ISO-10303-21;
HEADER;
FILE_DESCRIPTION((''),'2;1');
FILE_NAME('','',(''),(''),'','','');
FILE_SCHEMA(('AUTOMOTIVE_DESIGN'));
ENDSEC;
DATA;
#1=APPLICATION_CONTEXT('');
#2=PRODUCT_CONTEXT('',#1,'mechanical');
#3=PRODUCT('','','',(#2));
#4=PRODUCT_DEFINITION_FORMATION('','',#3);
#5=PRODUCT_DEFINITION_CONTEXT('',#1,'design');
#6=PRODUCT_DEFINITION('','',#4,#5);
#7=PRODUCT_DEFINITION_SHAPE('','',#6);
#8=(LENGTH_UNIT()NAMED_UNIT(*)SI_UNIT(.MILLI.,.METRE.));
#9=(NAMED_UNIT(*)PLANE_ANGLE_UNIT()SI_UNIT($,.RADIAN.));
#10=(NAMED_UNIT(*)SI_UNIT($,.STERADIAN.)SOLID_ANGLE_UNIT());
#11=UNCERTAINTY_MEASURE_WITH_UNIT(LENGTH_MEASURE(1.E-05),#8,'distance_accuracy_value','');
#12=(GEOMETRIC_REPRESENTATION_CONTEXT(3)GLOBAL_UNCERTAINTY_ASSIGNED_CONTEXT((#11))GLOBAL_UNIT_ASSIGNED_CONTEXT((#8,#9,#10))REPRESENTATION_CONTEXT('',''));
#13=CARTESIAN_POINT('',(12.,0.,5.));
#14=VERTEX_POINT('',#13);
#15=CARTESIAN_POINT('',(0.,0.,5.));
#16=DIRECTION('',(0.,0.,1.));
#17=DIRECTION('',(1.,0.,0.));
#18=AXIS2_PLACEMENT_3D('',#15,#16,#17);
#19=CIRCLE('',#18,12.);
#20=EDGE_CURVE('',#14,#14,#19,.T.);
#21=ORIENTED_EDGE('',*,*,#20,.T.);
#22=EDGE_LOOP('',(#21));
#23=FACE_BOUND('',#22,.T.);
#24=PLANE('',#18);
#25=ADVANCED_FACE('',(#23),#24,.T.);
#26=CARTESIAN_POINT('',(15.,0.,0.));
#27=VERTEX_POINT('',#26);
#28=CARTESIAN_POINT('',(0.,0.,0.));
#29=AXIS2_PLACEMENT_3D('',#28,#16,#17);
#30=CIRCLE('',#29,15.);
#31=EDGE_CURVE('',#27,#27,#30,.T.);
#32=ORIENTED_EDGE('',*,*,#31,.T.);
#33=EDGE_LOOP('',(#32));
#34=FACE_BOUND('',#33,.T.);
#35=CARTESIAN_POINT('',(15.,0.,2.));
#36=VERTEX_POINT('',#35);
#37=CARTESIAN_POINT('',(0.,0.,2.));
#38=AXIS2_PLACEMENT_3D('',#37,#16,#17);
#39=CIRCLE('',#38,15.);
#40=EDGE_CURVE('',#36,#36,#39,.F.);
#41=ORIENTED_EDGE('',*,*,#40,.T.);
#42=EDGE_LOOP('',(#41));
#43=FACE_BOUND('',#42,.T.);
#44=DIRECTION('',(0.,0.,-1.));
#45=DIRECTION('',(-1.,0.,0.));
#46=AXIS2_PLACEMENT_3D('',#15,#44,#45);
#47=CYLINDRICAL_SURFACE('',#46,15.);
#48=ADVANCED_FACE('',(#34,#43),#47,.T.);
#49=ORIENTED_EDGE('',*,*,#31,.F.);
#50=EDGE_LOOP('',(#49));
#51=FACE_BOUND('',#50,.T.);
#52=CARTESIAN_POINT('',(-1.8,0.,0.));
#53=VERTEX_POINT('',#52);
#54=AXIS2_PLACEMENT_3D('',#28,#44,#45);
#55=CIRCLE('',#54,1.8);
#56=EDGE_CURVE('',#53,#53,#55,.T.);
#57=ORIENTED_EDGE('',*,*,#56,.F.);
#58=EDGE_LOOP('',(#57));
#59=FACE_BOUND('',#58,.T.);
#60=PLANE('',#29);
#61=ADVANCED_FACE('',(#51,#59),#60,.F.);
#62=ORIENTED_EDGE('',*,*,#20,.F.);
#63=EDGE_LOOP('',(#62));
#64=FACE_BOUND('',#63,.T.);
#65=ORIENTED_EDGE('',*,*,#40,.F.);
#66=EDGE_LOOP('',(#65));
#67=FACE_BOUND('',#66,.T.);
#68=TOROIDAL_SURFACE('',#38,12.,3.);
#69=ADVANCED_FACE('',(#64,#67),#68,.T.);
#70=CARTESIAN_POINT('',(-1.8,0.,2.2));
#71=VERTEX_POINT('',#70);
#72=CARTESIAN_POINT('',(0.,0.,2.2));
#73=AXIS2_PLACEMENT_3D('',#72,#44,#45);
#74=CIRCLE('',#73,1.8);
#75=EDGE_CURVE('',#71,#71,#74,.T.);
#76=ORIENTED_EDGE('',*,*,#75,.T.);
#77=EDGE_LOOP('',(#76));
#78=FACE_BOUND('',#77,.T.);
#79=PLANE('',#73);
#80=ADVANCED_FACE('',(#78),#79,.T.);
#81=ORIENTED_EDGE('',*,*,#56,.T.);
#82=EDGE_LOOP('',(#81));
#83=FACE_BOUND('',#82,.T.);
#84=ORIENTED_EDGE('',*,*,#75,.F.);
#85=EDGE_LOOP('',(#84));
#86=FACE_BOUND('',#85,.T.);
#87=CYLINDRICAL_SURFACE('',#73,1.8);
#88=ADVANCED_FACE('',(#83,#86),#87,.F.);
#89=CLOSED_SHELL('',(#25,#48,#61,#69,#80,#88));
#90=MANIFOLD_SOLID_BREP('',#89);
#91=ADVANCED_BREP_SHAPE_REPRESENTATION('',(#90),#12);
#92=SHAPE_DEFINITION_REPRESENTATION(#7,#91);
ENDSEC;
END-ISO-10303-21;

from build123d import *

# Parameters (mm, degrees)
SKETCH1_R           = 15
BOSS_EXTRUDE1_DEPTH = 5
FILLET1_R           = 3
SKETCH2_R           = 1.8
CUT_EXTRUDE1_DEPTH  = 2.2


with BuildPart() as part:
    # Sketch1 → Boss-Extrude1 (new body)
    with BuildSketch(Plane.XY):
        Circle(SKETCH1_R)
    extrude(amount=BOSS_EXTRUDE1_DEPTH)

    # Fillet1
    fillet1_edges = [part.edges().sort_by_distance(p)[0] for p in [
        (-15, 0, 5),
    ]]
    fillet(fillet1_edges, radius=FILLET1_R)

    # Sketch2 → Cut-Extrude1 (cut)
    with BuildSketch(Plane(origin=(0, 0, 0), x_dir=(-1, 0, 0), z_dir=(0, 0, -1))):
        Circle(SKETCH2_R)
    extrude(amount=-CUT_EXTRUDE1_DEPTH, mode=Mode.SUBTRACT)


solid = part.part
